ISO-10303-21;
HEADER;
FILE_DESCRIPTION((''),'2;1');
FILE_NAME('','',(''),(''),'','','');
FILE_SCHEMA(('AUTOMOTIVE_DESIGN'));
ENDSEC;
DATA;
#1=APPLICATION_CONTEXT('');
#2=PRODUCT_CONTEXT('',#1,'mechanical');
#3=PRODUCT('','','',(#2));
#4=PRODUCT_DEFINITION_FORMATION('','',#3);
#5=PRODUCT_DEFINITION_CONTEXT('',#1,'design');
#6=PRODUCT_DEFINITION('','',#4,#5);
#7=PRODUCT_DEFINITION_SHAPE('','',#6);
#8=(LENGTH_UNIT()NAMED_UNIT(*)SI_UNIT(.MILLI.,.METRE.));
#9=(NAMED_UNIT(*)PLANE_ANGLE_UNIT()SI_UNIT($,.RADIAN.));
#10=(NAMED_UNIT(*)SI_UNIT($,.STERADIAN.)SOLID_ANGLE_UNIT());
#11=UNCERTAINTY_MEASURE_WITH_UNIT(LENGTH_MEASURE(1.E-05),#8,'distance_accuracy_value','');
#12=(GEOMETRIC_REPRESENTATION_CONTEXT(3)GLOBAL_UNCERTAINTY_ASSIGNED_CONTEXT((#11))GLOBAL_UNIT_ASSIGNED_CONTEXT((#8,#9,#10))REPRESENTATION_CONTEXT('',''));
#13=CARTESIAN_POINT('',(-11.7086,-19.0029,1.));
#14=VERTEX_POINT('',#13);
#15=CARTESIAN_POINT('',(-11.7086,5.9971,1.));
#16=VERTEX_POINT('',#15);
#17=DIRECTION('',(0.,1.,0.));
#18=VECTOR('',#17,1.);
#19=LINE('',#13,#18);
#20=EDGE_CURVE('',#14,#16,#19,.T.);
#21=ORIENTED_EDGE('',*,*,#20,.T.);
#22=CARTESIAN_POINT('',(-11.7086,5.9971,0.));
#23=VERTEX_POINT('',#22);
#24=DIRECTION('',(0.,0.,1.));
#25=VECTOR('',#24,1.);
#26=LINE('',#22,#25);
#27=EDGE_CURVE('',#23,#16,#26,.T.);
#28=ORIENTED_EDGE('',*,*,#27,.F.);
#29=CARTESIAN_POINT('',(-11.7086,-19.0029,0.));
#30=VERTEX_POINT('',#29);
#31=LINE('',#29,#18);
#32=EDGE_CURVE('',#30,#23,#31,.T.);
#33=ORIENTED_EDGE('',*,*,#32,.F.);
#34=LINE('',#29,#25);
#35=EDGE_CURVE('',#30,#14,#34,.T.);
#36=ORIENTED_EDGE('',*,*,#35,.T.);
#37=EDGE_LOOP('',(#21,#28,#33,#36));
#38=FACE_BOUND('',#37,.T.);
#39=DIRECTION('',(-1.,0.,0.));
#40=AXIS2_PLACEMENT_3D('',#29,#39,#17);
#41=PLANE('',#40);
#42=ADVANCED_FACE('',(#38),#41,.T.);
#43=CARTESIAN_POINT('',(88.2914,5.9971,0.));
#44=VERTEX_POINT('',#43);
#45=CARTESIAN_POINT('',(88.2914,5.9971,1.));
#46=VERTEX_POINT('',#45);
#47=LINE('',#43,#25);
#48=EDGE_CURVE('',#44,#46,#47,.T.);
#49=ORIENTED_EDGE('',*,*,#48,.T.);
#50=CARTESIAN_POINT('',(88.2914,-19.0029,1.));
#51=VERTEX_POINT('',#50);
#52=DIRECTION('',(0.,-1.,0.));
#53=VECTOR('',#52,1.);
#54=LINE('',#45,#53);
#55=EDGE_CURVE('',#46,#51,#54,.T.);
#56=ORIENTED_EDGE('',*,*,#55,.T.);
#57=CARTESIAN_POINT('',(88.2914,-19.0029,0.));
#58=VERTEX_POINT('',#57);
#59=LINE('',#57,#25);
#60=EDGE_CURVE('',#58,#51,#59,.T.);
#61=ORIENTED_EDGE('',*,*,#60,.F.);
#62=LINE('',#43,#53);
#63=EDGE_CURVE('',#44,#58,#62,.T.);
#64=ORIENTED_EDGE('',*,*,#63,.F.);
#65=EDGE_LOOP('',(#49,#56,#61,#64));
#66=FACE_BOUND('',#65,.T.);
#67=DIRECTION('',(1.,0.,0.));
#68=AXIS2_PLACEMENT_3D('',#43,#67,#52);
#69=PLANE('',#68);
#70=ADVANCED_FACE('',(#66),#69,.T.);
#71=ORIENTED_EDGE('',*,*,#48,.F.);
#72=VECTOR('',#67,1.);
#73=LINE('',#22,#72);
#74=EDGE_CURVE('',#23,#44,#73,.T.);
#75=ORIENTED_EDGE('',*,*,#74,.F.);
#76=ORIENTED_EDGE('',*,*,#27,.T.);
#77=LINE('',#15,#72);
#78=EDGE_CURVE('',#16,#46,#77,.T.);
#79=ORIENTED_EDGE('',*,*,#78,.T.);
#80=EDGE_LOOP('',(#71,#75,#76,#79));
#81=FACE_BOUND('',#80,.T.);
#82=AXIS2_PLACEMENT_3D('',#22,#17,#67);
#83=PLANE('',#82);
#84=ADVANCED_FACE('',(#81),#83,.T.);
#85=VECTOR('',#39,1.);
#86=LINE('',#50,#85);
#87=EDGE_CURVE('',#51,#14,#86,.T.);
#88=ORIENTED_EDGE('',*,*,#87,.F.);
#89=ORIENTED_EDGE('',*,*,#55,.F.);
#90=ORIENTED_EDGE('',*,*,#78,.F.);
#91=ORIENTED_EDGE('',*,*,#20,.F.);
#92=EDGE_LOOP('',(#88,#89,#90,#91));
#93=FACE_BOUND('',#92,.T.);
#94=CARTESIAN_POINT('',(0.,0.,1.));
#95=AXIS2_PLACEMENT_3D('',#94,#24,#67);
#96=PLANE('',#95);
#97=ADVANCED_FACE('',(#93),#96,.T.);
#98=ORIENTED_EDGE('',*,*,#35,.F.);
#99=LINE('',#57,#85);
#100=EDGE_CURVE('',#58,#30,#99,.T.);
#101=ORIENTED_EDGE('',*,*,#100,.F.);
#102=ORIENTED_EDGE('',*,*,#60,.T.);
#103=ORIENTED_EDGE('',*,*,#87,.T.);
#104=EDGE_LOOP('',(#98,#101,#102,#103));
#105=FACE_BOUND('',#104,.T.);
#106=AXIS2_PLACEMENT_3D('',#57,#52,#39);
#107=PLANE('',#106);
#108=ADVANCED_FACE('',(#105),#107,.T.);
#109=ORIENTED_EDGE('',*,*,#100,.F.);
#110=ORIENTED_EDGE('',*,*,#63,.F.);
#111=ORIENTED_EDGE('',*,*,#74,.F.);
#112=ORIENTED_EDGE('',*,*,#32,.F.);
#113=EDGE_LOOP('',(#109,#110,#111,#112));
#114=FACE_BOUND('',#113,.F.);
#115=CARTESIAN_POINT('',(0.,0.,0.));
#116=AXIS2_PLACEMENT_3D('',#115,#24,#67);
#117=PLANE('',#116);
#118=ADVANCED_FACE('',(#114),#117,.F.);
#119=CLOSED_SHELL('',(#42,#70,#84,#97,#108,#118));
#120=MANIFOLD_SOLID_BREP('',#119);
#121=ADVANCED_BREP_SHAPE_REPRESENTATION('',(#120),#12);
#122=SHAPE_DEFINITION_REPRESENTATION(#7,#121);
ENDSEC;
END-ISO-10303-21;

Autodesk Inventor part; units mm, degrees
ref_plane "YZ Plane" through (0, 0, 0) normal (1, 0, 0) x (0, 1, 0)
ref_plane "XZ Plane" through (0, 0, 0) normal (0, 1, 0) x (-1, 0, 0)
ref_plane "XY Plane" through (0, 0, 0) normal (0, 0, 1) x (1, 0, 0)
sketch "Sketch1" plane through (0, 0, 0) normal (0, 0, 1) x (1, 0, 0)
  line L0 (-11.7086, 5.9971) -> (88.2914, 5.9971)
  line L1 (88.2914, 5.9971) -> (88.2914, -19.0029)
  line L2 (88.2914, -19.0029) -> (-11.7086, -19.0029)
  line L3 (-11.7086, -19.0029) -> (-11.7086, 5.9971)
  point P0 (0, 0)
  dimension "d0" = 100
  dimension "d1" = 25
extrude "Extrusion1" add sketch "Sketch1" along normal blind 1
properties part number "8005_Cu_groundplane_Tx_Filter_Stage1_MPSv2_v1" material "Copper"
